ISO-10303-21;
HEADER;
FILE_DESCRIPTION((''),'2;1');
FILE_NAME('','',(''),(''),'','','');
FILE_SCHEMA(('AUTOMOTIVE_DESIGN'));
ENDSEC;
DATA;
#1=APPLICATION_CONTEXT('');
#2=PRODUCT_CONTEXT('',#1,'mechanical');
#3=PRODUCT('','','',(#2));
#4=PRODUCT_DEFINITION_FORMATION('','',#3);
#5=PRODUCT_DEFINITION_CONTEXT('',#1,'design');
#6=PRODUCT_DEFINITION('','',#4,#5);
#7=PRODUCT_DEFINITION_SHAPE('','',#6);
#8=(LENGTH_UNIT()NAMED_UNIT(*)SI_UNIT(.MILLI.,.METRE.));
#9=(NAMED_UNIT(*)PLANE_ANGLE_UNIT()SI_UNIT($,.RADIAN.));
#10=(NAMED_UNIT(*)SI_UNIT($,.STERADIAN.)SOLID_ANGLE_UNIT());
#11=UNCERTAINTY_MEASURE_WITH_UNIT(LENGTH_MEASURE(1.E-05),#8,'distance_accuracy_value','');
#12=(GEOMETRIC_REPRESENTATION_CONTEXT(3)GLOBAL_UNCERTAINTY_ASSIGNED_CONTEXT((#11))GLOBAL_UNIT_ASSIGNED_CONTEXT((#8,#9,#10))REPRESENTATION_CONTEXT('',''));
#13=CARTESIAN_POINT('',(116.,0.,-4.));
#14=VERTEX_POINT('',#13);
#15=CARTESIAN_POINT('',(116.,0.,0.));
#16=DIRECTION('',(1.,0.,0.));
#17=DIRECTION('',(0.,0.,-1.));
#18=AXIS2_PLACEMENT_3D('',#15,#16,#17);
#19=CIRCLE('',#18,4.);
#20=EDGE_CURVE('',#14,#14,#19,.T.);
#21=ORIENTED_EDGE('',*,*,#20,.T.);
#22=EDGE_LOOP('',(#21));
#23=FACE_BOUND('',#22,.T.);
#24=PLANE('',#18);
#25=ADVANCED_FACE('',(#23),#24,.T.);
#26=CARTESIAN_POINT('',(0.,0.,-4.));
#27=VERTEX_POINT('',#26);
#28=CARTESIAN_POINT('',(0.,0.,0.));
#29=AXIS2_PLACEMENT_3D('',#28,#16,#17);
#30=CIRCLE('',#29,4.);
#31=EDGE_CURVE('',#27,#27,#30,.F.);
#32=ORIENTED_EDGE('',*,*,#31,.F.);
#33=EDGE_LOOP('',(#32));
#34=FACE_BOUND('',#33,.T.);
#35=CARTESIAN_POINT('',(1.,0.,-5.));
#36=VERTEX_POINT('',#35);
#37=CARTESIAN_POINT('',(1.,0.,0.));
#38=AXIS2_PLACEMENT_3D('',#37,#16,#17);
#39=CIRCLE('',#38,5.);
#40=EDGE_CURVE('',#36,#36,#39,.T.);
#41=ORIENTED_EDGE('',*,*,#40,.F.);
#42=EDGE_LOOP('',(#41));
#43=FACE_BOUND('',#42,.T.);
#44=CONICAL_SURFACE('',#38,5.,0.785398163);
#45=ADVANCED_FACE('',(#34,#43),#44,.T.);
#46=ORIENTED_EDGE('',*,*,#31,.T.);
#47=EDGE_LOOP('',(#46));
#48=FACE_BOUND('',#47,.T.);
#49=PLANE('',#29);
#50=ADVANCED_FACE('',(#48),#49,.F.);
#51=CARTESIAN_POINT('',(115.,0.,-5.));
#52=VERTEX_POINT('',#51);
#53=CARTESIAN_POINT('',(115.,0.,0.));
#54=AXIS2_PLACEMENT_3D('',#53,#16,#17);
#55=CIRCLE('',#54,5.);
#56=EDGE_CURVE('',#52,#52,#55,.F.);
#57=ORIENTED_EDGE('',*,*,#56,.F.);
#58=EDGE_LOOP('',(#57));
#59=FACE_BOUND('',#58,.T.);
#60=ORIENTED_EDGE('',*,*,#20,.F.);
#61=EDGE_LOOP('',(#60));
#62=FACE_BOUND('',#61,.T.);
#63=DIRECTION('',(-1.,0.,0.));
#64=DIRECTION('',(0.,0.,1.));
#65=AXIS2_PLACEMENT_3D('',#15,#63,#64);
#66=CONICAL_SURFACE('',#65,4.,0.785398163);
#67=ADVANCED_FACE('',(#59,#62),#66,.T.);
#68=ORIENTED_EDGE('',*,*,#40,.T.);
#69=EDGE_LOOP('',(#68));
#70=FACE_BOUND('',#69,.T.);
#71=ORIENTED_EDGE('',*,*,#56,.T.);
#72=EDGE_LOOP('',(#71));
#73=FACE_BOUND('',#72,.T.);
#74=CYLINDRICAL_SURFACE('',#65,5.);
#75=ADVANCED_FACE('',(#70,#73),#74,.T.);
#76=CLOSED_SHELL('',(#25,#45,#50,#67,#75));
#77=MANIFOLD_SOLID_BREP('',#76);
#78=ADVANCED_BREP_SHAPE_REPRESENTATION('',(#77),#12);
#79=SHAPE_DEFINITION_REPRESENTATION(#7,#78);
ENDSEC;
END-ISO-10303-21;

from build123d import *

# Parameters (mm, degrees)
SKETCH1_R      = 5
EXTRUDE1_DEPTH = 116
CHAMFER1_SIZE  = 1


with BuildPart() as part:
    # Sketch1 → Extrude1 (new body)
    with BuildSketch(Plane(origin=(0, 0, 0), x_dir=(0, 0, -1), z_dir=(1, 0, 0))):
        Circle(SKETCH1_R)
    extrude(amount=EXTRUDE1_DEPTH)

    # Chamfer1
    chamfer1_edges = [part.edges().sort_by_distance(p)[0] for p in [
        (0, 0, 5),
        (116, 0, 5),
    ]]
    chamfer(chamfer1_edges, length=CHAMFER1_SIZE)


solid = part.part
